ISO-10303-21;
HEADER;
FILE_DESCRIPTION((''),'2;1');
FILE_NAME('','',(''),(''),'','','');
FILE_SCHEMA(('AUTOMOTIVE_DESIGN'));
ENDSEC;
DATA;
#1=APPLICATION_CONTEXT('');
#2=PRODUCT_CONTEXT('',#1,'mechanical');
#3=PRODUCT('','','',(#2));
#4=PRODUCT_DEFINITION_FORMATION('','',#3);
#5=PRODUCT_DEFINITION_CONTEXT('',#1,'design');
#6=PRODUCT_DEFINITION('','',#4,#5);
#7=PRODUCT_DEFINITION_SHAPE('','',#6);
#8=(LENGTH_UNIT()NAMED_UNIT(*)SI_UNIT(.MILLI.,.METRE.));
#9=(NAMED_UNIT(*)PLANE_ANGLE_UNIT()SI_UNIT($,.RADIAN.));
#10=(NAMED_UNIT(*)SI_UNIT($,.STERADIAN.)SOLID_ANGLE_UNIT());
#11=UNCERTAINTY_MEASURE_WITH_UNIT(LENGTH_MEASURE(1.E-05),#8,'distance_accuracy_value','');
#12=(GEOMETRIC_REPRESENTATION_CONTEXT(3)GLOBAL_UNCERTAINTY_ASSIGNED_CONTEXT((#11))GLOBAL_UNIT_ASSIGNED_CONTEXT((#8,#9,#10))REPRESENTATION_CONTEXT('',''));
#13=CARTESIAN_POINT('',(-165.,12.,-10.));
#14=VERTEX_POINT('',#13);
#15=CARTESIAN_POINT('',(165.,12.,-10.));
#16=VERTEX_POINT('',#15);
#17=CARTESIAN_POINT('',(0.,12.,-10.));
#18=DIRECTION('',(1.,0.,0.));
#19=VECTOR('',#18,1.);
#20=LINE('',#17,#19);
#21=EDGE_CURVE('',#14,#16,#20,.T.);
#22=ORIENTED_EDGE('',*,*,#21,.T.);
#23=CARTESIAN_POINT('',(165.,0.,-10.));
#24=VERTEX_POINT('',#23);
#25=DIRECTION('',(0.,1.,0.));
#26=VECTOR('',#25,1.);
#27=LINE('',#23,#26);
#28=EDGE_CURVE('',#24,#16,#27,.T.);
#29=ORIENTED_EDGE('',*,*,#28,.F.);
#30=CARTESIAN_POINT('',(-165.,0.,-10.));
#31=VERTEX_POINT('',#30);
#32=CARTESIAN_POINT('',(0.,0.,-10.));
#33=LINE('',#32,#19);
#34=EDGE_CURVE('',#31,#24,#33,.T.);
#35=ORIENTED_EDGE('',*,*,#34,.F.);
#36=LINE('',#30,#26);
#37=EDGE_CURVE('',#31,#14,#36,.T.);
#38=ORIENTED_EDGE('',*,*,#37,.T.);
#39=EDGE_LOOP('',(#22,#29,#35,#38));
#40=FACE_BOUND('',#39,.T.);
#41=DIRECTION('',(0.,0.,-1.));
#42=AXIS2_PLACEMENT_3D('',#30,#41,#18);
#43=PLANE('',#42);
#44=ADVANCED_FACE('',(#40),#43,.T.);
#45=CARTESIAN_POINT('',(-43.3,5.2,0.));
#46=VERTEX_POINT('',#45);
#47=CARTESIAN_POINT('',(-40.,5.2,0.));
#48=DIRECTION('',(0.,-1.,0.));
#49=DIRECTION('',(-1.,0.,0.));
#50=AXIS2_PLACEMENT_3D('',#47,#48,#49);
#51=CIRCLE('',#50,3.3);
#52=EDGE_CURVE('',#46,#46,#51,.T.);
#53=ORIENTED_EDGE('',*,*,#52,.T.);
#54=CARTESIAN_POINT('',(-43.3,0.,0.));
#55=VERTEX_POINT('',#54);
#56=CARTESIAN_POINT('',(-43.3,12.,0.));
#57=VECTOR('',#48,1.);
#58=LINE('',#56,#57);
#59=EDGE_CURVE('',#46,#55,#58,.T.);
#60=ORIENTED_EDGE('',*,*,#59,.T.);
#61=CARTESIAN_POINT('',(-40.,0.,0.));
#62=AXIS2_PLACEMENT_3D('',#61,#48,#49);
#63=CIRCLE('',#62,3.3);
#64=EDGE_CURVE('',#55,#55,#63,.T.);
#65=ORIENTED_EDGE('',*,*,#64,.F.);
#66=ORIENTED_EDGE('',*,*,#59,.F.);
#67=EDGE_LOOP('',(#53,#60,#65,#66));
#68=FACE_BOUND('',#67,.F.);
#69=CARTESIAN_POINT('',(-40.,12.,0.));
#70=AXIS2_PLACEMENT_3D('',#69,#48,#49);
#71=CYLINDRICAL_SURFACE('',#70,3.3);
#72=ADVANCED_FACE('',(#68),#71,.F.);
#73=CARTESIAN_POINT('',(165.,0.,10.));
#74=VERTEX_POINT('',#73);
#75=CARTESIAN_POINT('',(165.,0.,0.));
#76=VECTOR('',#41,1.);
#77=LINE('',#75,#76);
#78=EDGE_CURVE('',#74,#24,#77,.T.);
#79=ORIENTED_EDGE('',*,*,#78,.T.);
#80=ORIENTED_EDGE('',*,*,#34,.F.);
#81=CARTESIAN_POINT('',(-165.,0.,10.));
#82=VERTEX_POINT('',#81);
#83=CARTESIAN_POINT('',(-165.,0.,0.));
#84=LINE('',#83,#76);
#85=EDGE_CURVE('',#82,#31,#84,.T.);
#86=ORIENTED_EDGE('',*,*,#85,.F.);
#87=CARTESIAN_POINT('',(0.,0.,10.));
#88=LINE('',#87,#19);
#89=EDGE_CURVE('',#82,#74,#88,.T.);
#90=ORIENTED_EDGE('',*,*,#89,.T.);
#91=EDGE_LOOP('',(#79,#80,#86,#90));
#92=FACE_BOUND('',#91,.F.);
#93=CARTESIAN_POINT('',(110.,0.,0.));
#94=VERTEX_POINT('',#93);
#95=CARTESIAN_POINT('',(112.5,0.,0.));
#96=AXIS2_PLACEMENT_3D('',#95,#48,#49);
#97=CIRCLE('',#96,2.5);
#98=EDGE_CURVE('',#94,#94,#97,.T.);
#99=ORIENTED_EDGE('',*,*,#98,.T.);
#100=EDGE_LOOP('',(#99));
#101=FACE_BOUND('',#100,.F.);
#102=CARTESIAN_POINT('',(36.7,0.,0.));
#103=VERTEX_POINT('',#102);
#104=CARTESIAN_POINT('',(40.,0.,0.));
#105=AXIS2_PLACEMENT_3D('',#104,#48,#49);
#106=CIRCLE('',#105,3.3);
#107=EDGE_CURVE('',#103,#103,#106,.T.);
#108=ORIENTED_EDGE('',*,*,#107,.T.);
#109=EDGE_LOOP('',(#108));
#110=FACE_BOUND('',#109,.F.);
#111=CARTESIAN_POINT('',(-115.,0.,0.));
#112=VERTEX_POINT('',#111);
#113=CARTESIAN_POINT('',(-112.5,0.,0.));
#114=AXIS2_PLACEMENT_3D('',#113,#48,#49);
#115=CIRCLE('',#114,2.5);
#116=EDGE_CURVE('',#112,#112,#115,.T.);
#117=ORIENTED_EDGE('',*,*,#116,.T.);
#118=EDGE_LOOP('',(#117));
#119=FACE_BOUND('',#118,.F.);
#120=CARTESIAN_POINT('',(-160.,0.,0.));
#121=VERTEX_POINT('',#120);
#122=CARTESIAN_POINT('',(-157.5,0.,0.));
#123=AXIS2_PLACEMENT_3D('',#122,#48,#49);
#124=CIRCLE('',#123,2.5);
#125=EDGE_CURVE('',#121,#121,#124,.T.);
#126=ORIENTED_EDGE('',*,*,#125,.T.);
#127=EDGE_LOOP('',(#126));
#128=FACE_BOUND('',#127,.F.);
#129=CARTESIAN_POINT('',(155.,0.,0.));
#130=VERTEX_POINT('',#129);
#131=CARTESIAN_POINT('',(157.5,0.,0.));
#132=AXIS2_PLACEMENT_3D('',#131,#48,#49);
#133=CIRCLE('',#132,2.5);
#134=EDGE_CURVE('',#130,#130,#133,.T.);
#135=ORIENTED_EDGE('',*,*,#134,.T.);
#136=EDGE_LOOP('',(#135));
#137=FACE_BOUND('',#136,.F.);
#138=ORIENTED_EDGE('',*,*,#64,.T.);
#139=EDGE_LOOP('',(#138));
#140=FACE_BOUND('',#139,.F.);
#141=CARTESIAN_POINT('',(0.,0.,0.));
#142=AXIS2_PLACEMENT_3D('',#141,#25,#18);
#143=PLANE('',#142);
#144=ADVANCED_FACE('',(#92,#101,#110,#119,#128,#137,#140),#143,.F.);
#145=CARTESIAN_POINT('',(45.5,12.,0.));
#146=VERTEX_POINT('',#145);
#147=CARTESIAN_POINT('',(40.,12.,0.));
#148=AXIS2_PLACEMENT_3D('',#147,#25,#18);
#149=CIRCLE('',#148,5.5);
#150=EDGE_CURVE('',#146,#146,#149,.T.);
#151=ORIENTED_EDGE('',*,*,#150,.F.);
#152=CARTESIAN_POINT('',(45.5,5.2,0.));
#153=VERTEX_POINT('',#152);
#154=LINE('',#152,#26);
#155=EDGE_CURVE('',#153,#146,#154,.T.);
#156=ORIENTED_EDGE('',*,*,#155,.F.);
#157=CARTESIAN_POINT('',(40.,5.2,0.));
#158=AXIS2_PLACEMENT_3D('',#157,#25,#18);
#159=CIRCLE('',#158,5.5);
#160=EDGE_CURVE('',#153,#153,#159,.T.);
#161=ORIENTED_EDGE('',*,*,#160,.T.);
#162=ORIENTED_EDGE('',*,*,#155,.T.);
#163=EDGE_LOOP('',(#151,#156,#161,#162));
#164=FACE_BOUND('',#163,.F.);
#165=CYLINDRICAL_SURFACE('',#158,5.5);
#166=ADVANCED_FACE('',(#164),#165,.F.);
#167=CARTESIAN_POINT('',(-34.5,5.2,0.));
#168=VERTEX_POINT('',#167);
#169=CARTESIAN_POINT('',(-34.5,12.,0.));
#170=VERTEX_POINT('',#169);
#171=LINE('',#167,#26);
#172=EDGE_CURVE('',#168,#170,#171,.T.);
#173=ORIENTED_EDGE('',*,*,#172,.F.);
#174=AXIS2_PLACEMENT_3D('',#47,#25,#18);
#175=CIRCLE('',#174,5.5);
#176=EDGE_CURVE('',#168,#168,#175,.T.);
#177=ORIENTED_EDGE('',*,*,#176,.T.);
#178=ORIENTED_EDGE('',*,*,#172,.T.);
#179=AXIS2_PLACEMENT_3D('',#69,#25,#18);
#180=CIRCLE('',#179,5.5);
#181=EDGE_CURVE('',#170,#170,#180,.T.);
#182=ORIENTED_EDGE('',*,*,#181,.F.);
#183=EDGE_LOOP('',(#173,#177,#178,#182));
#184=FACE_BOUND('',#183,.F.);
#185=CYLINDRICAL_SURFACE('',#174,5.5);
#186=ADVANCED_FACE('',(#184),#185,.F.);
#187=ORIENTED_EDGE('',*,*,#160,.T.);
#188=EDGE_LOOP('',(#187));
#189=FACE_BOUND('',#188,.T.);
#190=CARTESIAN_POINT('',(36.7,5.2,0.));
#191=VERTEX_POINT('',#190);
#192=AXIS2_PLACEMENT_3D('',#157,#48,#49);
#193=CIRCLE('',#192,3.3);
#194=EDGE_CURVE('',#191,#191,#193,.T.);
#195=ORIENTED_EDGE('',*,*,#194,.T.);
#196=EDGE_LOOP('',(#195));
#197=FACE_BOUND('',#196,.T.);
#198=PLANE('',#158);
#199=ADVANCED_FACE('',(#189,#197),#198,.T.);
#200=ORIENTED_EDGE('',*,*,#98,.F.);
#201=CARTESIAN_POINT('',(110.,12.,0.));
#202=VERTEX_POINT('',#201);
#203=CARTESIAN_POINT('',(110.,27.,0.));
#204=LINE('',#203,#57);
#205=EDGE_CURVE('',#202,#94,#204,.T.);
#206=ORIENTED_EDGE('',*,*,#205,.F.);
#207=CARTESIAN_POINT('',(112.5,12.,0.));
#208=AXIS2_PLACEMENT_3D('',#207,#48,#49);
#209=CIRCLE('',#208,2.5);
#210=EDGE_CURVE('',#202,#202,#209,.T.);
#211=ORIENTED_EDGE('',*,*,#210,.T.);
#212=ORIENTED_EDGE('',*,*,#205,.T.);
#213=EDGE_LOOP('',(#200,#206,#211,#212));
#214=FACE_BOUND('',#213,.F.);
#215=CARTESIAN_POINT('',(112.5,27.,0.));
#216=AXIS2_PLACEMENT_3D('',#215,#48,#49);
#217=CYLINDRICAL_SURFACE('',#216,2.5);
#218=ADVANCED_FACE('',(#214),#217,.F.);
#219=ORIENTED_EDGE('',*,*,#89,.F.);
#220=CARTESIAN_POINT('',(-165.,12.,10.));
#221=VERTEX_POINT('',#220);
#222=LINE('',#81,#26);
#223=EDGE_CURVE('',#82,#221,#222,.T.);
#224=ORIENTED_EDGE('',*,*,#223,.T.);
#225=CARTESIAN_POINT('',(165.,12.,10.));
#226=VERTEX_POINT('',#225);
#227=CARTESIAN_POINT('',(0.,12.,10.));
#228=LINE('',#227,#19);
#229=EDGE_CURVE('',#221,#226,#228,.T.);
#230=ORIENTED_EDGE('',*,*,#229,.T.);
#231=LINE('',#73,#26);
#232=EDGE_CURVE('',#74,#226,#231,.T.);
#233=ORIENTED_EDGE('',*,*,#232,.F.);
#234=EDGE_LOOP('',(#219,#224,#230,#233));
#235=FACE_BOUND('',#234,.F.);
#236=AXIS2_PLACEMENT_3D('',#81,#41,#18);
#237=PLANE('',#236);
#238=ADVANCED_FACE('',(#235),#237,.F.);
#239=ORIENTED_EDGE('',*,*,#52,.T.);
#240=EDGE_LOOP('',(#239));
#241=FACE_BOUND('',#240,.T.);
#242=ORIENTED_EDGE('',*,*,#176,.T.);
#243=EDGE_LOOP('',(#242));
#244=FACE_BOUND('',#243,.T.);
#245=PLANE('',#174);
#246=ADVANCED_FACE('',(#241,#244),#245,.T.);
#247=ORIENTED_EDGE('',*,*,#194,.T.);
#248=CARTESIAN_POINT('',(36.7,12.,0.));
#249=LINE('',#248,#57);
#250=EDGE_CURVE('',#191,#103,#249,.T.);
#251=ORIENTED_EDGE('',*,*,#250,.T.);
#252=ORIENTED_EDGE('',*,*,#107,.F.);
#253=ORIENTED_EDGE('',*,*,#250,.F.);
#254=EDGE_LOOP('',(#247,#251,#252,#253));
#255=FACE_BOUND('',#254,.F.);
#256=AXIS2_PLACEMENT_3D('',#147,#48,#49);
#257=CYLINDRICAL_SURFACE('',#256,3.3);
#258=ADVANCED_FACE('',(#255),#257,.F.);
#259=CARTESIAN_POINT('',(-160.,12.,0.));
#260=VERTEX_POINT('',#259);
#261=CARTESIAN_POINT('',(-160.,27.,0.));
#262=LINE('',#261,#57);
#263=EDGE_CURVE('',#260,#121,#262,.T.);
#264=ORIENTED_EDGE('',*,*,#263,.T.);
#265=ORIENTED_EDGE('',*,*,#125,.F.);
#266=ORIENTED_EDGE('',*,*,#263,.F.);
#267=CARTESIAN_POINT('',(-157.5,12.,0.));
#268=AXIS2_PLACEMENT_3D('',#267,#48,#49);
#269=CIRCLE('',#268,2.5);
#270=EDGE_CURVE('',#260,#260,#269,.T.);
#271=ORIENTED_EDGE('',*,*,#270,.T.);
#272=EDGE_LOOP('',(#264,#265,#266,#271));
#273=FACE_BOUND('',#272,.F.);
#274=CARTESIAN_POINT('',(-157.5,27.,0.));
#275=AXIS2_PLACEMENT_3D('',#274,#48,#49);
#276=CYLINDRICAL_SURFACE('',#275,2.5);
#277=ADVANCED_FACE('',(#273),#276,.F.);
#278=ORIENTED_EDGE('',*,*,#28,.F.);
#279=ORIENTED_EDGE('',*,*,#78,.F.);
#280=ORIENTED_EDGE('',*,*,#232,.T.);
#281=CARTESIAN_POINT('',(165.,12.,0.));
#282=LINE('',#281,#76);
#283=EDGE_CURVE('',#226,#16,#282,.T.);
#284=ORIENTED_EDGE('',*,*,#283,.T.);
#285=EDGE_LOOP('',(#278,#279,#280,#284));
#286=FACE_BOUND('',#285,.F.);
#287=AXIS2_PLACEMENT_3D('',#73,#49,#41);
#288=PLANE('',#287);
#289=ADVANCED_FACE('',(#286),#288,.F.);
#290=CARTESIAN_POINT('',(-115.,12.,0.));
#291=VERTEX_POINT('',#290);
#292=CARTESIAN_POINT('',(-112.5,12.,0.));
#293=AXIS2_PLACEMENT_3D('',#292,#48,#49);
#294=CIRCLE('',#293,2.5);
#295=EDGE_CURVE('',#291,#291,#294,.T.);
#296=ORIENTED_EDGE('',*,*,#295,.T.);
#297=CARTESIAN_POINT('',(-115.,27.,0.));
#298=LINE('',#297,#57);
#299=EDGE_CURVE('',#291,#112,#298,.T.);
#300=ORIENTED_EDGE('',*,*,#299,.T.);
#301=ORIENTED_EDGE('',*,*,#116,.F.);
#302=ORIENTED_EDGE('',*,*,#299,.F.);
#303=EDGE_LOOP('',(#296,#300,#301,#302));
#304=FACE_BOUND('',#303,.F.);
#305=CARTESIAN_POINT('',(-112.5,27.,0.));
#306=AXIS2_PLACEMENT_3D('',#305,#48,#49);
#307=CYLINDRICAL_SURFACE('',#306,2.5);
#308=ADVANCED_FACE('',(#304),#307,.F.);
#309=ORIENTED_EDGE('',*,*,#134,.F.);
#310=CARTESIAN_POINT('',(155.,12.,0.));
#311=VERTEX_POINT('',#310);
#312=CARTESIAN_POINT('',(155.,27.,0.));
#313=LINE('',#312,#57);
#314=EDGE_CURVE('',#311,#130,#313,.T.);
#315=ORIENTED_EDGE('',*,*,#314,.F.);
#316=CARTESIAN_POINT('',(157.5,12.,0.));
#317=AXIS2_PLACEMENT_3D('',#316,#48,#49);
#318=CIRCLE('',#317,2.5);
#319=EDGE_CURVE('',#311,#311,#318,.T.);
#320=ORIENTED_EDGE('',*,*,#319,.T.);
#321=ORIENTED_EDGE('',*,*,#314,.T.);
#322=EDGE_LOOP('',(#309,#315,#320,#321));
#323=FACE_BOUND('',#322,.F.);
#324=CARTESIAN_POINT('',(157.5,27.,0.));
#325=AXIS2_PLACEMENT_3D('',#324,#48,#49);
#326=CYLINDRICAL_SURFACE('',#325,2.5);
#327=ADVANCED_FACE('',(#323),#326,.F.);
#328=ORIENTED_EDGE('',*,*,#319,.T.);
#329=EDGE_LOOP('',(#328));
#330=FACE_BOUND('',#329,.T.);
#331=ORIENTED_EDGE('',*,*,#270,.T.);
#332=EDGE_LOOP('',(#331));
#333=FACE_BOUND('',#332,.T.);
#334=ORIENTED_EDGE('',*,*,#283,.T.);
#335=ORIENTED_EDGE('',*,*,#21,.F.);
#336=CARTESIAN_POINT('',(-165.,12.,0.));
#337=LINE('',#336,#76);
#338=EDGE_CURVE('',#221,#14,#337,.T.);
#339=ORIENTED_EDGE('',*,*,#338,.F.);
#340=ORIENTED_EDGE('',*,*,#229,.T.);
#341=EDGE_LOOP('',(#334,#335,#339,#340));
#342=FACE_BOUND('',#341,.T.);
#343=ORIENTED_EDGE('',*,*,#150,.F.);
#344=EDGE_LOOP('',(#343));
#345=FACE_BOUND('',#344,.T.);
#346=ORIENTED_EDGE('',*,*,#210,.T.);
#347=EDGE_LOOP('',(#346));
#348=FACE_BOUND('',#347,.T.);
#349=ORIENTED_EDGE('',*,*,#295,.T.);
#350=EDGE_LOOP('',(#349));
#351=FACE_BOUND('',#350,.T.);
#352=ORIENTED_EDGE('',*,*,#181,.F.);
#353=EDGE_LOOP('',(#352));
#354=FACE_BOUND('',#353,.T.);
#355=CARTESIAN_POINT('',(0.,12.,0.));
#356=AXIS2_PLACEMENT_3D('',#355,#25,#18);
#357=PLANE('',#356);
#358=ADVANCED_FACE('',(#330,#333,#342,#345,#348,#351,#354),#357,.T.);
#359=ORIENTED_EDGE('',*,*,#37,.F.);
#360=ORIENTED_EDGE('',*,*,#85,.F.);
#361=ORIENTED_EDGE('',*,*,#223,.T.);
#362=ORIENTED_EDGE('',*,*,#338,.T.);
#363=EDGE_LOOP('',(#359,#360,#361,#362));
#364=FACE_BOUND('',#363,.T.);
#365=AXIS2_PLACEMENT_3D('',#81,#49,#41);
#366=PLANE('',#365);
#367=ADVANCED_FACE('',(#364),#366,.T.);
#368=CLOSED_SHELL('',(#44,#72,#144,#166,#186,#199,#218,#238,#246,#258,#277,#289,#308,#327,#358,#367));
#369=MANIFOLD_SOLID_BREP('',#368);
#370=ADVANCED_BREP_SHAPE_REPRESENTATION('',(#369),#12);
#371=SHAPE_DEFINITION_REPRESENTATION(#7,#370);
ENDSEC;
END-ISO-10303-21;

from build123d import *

# Parameters (mm, degrees)
SKETCH_1_W                = 330
SKETCH_1_H                = 20
EXTRUDE_1_DEPTH           = 12
HOLE_WIZARD_M6_1_D        = 5
HOLE_WIZARD_M6_1_DEPTH    = 15
HOLE_WIZARD_M6_1_TIP      = 1.502151548
HOLE_WIZARD_1_D           = 6.6
HOLE_WIZARD_1_CBORE_D     = 11
HOLE_WIZARD_1_CBORE_DEPTH = 6.8


with BuildPart() as part:
    # 草图1 → 凸台-拉伸1 (new body)
    with BuildSketch(Plane(origin=(0, 0, 0), x_dir=(1, 0, 0), z_dir=(0, 1, 0))):
        Rectangle(SKETCH_1_W, SKETCH_1_H)
    extrude(amount=EXTRUDE_1_DEPTH)

    # M6 螺纹孔1
    with Locations(Plane(origin=(0, 12, 0), x_dir=(1, 0, 0), z_dir=(0, 1, 0))):
        with Locations((-157.5, 0), (-112.5, 0), (112.5, 0), (157.5, 0)):
            Hole(HOLE_WIZARD_M6_1_D / 2, depth=HOLE_WIZARD_M6_1_DEPTH)
            with Locations((0, 0, -(HOLE_WIZARD_M6_1_DEPTH + HOLE_WIZARD_M6_1_TIP / 2))):  # 118° drill point
                Cone(0, HOLE_WIZARD_M6_1_D / 2, HOLE_WIZARD_M6_1_TIP, mode=Mode.SUBTRACT)

    # 打孔尺寸根据内六角圆柱头螺钉的类型1 (through all)
    with Locations(Plane(origin=(0, 12, 0), x_dir=(1, 0, 0), z_dir=(0, 1, 0))):
        with Locations((-40, 0), (40, 0)):
            CounterBoreHole(HOLE_WIZARD_1_D / 2, HOLE_WIZARD_1_CBORE_D / 2, HOLE_WIZARD_1_CBORE_DEPTH)


solid = part.part
